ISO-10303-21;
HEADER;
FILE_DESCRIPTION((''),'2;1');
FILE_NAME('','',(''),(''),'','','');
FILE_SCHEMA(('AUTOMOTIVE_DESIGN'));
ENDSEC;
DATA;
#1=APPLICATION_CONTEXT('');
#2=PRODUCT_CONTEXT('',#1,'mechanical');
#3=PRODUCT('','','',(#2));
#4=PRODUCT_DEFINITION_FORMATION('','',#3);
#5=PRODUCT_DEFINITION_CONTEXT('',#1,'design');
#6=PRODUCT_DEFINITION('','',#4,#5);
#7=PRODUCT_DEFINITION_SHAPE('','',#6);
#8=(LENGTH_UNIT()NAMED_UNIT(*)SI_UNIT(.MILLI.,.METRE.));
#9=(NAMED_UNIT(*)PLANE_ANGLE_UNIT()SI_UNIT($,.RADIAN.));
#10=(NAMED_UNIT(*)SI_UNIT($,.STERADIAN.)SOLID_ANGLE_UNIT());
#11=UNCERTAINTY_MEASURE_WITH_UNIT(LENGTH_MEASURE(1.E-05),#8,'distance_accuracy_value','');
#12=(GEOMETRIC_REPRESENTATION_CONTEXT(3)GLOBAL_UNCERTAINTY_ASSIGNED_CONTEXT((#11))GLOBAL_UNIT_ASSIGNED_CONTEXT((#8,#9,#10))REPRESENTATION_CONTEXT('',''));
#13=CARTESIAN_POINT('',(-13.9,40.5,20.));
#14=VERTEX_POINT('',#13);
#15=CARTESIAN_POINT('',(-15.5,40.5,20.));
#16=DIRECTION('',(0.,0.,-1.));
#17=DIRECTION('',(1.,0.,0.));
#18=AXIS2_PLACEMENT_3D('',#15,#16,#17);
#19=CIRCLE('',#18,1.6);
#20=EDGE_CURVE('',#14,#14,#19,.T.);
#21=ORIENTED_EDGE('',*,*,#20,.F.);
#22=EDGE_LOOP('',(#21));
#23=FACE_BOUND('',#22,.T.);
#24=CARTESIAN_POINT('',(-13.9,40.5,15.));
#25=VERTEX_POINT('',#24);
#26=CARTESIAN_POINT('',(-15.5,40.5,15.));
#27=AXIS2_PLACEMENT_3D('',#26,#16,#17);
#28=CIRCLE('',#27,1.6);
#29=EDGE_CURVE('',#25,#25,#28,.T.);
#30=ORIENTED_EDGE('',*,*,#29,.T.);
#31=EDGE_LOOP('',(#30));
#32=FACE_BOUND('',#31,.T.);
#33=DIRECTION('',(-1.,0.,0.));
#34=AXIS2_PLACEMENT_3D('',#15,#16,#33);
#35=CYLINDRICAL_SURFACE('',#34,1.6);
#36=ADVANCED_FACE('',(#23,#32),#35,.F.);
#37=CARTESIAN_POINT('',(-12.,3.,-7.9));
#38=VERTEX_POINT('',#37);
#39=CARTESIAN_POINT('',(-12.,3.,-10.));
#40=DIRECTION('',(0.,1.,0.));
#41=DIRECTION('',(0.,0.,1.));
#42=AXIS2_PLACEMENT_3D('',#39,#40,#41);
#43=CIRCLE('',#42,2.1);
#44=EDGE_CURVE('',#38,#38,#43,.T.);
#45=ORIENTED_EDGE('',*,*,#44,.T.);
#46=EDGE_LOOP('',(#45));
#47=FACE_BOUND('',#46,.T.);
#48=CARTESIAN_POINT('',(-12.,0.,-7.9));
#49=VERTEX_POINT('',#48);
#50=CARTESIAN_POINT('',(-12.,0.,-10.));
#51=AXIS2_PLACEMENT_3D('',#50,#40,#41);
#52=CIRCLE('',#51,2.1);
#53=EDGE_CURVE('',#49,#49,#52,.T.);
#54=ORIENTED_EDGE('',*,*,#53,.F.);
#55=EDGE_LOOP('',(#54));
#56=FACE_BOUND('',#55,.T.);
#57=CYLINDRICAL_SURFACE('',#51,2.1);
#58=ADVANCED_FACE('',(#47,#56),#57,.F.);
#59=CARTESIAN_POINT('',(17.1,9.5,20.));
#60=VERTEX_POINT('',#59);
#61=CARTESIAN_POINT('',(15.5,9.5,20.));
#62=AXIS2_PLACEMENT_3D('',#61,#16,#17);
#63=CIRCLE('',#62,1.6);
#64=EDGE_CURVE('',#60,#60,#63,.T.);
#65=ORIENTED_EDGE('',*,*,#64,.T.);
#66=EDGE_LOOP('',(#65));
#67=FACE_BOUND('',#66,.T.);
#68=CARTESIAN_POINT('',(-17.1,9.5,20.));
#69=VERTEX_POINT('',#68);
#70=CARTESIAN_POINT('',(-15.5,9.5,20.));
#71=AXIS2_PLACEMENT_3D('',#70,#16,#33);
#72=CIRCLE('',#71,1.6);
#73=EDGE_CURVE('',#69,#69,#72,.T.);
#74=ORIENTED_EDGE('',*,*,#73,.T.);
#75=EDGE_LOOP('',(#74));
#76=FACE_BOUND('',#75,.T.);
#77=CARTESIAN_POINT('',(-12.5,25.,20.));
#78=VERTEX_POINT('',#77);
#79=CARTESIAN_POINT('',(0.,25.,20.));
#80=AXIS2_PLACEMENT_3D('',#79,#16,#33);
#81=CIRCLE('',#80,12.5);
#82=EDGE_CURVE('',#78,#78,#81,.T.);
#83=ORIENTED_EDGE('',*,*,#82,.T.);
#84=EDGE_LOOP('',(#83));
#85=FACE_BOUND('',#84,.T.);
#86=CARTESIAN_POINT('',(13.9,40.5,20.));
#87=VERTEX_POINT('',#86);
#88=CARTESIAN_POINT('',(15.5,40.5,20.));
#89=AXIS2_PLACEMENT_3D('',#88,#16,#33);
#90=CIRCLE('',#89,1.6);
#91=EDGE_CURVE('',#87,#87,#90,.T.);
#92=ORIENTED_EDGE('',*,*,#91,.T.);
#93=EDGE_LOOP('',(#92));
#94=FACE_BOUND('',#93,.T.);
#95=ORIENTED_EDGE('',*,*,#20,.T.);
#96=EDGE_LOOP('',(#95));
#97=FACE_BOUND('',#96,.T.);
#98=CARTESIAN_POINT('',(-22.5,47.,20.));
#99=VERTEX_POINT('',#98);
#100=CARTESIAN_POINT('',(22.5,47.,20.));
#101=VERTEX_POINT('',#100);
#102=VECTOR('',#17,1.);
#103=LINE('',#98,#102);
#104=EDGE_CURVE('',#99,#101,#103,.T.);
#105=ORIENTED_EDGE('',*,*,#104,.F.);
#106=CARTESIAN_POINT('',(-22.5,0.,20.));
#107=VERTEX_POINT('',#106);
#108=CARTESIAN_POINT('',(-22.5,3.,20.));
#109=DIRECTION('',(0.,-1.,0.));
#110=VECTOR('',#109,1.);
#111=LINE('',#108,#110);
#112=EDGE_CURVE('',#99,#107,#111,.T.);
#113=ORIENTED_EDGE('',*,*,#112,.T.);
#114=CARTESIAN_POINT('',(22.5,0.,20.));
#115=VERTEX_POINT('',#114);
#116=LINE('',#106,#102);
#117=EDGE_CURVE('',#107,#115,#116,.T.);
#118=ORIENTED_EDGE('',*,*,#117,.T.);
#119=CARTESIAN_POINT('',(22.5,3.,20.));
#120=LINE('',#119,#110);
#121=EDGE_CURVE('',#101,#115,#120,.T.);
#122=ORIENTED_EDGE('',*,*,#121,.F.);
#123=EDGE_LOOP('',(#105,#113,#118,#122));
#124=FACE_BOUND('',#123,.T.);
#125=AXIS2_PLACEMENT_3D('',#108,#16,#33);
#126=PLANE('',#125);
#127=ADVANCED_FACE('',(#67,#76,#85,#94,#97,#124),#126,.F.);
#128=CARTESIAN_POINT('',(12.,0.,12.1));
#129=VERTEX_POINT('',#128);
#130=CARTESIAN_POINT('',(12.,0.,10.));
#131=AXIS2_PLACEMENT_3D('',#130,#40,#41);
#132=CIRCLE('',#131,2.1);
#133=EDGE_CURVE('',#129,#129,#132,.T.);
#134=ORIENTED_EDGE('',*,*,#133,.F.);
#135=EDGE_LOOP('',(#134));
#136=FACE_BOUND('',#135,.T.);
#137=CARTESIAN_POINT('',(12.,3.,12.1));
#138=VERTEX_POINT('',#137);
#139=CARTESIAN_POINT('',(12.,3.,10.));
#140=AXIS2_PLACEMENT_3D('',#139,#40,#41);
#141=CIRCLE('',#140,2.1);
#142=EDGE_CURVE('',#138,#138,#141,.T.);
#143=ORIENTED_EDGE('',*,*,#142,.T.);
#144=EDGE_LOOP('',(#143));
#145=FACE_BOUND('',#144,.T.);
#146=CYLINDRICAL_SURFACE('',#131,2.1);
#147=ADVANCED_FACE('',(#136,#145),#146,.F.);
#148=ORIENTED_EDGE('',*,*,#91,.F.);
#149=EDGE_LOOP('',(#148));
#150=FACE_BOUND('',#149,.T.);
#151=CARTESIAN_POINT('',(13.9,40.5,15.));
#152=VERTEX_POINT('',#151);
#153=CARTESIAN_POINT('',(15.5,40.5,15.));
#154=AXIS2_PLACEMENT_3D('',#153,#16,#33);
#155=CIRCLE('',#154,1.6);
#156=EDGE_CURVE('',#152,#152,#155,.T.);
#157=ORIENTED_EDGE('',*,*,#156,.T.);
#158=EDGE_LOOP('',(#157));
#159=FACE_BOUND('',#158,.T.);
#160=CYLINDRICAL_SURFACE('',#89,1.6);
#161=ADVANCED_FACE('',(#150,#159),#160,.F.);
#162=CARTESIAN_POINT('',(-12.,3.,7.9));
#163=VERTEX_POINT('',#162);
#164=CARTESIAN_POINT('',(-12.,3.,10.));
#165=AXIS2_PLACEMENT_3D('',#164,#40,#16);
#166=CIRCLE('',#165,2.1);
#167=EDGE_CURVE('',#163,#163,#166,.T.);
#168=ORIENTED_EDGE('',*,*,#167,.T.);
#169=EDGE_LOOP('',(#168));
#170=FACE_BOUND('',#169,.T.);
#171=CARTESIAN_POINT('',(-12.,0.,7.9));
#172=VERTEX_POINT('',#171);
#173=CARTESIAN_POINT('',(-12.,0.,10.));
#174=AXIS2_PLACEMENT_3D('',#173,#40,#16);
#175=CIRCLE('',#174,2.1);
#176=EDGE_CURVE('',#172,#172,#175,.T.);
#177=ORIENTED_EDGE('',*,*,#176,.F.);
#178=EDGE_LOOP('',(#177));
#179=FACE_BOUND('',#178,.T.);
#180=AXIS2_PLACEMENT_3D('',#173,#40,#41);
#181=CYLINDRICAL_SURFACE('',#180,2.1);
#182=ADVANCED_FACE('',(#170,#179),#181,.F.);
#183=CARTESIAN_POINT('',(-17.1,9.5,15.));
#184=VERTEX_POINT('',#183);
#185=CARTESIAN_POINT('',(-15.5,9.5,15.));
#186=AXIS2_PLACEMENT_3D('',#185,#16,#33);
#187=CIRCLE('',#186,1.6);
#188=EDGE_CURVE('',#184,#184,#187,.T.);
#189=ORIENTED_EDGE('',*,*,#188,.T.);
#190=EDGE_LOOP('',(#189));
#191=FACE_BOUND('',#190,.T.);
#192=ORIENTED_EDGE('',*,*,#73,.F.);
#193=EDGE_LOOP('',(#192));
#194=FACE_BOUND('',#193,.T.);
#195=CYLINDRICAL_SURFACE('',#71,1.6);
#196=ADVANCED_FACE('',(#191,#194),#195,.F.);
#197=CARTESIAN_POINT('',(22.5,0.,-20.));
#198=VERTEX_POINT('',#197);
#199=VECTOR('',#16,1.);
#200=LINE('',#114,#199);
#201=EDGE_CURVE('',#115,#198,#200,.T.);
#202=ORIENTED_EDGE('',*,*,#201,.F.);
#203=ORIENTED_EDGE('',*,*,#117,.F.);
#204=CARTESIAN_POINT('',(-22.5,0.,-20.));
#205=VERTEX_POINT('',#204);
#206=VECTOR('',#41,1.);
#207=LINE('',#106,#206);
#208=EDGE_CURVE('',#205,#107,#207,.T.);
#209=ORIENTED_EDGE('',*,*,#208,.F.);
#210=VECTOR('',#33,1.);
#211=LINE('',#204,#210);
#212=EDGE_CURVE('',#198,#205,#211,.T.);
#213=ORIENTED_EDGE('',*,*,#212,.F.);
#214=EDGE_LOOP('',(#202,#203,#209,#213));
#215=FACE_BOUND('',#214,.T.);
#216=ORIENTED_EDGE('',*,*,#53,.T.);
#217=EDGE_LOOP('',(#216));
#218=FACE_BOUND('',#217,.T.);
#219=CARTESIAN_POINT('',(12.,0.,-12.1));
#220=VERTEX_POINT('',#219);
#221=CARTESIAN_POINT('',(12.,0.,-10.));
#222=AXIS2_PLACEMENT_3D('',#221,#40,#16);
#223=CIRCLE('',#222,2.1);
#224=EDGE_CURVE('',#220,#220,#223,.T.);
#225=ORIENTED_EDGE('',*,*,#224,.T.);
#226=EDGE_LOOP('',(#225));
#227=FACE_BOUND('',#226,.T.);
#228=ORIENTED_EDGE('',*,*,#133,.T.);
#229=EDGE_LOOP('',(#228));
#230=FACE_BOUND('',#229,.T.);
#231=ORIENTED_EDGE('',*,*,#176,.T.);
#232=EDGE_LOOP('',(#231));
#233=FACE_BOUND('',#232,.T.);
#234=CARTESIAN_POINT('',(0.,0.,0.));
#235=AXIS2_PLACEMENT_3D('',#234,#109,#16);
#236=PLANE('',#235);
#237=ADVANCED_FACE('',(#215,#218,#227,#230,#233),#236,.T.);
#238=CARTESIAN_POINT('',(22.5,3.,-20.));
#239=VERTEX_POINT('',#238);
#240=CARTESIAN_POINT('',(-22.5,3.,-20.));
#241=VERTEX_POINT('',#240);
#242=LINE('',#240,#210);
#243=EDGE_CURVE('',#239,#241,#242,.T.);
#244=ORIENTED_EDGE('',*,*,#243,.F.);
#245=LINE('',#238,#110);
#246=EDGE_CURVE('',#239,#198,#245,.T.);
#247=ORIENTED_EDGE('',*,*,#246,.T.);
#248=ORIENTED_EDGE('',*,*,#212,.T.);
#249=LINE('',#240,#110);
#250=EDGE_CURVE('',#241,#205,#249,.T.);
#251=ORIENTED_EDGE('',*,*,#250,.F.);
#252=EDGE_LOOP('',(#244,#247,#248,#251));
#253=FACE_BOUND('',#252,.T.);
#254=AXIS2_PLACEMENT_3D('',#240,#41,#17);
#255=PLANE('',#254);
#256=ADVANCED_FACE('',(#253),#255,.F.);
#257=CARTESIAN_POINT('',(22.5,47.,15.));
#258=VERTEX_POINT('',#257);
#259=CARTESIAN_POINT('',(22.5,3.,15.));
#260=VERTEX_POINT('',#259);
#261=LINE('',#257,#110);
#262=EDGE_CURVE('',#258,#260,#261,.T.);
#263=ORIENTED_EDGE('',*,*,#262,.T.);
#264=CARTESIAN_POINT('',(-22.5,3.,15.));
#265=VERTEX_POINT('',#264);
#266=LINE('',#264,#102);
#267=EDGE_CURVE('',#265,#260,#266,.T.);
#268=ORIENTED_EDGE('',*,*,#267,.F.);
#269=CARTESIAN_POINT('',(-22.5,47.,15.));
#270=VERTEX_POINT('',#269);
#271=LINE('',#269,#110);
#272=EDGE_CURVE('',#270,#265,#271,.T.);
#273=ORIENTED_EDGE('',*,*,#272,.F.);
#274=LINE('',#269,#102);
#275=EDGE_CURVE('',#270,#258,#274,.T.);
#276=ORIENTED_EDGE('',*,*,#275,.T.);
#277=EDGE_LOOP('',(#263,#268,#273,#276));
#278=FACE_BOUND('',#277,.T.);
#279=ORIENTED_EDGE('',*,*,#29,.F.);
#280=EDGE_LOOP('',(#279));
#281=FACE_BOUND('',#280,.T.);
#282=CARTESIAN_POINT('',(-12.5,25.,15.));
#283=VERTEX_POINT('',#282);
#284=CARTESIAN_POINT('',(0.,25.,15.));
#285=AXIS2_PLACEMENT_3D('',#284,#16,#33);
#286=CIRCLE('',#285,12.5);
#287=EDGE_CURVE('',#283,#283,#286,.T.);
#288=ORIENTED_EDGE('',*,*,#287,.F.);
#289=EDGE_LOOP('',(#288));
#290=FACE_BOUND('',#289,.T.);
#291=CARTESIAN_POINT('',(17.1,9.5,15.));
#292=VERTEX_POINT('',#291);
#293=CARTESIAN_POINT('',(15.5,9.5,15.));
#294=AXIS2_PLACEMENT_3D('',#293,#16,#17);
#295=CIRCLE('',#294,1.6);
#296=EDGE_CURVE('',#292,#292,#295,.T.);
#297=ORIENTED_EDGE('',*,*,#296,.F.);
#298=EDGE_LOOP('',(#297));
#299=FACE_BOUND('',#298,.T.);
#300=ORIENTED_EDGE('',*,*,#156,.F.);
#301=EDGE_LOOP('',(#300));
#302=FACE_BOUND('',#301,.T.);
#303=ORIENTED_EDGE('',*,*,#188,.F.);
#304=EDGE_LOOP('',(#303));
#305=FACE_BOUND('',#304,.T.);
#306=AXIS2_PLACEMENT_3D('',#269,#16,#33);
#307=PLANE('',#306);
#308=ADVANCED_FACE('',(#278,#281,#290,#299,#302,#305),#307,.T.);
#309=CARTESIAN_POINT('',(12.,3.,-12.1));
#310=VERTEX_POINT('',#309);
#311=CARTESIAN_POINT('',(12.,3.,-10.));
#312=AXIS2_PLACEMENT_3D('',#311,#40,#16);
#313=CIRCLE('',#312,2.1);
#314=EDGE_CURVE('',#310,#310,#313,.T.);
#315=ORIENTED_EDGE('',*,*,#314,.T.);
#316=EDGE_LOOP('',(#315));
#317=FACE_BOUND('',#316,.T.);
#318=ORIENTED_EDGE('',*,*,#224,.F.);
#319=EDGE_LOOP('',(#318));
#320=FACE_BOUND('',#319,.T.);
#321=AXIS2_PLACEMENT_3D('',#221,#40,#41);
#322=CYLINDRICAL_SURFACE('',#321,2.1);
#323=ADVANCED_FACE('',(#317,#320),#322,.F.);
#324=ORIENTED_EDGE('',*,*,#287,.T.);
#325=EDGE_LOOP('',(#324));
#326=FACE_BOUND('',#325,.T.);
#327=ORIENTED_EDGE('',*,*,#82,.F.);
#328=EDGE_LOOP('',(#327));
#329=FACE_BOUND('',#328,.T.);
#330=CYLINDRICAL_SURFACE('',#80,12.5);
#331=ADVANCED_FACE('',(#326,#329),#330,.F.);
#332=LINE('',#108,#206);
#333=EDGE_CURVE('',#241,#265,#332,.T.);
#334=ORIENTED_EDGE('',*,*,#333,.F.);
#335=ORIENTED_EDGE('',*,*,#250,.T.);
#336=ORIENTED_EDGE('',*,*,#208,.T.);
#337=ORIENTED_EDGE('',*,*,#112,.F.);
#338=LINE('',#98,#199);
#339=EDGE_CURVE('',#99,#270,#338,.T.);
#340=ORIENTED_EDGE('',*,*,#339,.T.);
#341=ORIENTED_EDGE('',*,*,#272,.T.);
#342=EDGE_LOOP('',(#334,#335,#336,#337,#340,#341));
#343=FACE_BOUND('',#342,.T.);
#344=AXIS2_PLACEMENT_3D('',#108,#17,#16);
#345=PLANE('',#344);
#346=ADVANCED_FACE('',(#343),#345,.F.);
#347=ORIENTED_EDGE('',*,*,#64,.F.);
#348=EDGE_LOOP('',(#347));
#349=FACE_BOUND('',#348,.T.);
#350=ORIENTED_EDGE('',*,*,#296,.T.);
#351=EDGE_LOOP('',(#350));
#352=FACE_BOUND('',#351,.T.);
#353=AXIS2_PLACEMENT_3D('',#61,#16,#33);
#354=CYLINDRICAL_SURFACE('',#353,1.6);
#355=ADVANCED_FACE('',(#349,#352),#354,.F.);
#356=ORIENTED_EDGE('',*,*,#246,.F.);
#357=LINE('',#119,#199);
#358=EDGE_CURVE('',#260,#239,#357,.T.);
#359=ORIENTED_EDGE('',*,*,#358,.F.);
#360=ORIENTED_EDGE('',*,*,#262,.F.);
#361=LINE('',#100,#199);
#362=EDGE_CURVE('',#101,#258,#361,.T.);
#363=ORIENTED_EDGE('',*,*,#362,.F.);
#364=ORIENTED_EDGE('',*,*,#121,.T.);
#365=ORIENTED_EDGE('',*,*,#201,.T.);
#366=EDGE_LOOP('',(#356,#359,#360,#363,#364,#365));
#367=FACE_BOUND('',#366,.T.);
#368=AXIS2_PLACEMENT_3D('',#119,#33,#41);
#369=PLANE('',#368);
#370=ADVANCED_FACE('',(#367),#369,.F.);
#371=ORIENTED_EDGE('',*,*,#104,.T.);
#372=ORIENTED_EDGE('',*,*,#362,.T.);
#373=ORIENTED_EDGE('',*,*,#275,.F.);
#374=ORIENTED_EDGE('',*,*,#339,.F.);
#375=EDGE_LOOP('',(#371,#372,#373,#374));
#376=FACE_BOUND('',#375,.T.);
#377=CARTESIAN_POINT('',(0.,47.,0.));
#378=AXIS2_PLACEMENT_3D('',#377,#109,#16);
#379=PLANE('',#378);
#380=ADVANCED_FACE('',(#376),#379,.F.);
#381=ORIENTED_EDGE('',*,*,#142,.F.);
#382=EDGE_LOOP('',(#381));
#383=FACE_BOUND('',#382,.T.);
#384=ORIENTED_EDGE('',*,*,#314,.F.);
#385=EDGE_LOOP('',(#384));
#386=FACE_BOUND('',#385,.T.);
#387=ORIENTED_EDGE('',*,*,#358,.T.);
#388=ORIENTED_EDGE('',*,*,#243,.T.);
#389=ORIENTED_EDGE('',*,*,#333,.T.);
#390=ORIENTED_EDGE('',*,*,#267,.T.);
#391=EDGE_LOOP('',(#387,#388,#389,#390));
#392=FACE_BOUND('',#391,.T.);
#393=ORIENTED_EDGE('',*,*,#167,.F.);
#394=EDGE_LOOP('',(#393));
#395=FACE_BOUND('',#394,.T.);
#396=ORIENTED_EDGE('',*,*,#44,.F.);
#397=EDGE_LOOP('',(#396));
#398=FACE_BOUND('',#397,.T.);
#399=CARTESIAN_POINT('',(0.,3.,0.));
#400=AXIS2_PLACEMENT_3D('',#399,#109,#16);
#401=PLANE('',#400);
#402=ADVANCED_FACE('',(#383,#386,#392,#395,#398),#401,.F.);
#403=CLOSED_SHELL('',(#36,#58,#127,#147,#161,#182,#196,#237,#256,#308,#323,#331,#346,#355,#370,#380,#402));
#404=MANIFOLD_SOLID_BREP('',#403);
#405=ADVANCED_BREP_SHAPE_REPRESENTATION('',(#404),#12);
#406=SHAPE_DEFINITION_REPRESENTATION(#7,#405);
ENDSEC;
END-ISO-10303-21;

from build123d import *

# Parameters (mm, degrees)
SKETCH_2_W          = 45
SKETCH_2_H          = 40
EXTRUDE_1_DEPTH     = 3
SKETCH_3_R          = 2.1
CUT_EXTRUDE_1_DEPTH = 31.253099015
SKETCH_4_W          = 45
SKETCH_4_H          = 5
EXTRUDE_2_DEPTH     = 44
SKETCH_6_R          = 1.6
SKETCH_6_R_2        = 12.5
CUT_EXTRUDE_3_DEPTH = 63.77141069


with BuildPart() as part:
    # ｽｹｯﾁ2 → ﾎﾞｽ - 押し出し1 (new body)
    with BuildSketch(Plane(origin=(0, 0, 0), x_dir=(1, 0, 0), z_dir=(0, 1, 0))):
        Rectangle(SKETCH_2_W, SKETCH_2_H)
    extrude(amount=EXTRUDE_1_DEPTH)

    # ｽｹｯﾁ3 → ｶｯﾄ - 押し出し1 (cut, through all)
    with BuildSketch(Plane(origin=(0, 3, 0), x_dir=(1, 0, 0), z_dir=(0, 1, 0))):
        with Locations(Location((-12, 10, 0), (0, 0, 270))):
            Circle(SKETCH_3_R)
        with Locations(Location((12, 10, 0), (0, 0, 90))):
            Circle(SKETCH_3_R)
        with Locations(Location((12, -10, 0), (0, 0, 270))):
            Circle(SKETCH_3_R)
        with Locations(Location((-12, -10, 0), (0, 0, 90))):
            Circle(SKETCH_3_R)
    extrude(amount=-CUT_EXTRUDE_1_DEPTH, mode=Mode.SUBTRACT)

    # ｽｹｯﾁ4 → ﾎﾞｽ - 押し出し2 (add)
    with BuildSketch(Plane(origin=(0, 3, 0), x_dir=(1, 0, 0), z_dir=(0, 1, 0))):
        with Locations((0, -17.5)):
            Rectangle(SKETCH_4_W, SKETCH_4_H)
    extrude(amount=EXTRUDE_2_DEPTH)

    # ｽｹｯﾁ6 → ｶｯﾄ - 押し出し3 (cut, through all)
    with BuildSketch(Plane(origin=(0, 0, 15), x_dir=(-1, 0, 0), z_dir=(0, 0, -1))):
        with Locations((-15.5, 40.5)):
            Circle(SKETCH_6_R)
        with Locations(Location((15.5, 40.5, 0), (0, 0, 180))):
            Circle(SKETCH_6_R)
        with Locations((15.5, 9.5)):
            Circle(SKETCH_6_R)
        with Locations(Location((-15.5, 9.5, 0), (0, 0, 180))):
            Circle(SKETCH_6_R)
        with Locations((0, 25)):
            Circle(SKETCH_6_R_2)
    extrude(amount=-CUT_EXTRUDE_3_DEPTH, mode=Mode.SUBTRACT)


solid = part.part
